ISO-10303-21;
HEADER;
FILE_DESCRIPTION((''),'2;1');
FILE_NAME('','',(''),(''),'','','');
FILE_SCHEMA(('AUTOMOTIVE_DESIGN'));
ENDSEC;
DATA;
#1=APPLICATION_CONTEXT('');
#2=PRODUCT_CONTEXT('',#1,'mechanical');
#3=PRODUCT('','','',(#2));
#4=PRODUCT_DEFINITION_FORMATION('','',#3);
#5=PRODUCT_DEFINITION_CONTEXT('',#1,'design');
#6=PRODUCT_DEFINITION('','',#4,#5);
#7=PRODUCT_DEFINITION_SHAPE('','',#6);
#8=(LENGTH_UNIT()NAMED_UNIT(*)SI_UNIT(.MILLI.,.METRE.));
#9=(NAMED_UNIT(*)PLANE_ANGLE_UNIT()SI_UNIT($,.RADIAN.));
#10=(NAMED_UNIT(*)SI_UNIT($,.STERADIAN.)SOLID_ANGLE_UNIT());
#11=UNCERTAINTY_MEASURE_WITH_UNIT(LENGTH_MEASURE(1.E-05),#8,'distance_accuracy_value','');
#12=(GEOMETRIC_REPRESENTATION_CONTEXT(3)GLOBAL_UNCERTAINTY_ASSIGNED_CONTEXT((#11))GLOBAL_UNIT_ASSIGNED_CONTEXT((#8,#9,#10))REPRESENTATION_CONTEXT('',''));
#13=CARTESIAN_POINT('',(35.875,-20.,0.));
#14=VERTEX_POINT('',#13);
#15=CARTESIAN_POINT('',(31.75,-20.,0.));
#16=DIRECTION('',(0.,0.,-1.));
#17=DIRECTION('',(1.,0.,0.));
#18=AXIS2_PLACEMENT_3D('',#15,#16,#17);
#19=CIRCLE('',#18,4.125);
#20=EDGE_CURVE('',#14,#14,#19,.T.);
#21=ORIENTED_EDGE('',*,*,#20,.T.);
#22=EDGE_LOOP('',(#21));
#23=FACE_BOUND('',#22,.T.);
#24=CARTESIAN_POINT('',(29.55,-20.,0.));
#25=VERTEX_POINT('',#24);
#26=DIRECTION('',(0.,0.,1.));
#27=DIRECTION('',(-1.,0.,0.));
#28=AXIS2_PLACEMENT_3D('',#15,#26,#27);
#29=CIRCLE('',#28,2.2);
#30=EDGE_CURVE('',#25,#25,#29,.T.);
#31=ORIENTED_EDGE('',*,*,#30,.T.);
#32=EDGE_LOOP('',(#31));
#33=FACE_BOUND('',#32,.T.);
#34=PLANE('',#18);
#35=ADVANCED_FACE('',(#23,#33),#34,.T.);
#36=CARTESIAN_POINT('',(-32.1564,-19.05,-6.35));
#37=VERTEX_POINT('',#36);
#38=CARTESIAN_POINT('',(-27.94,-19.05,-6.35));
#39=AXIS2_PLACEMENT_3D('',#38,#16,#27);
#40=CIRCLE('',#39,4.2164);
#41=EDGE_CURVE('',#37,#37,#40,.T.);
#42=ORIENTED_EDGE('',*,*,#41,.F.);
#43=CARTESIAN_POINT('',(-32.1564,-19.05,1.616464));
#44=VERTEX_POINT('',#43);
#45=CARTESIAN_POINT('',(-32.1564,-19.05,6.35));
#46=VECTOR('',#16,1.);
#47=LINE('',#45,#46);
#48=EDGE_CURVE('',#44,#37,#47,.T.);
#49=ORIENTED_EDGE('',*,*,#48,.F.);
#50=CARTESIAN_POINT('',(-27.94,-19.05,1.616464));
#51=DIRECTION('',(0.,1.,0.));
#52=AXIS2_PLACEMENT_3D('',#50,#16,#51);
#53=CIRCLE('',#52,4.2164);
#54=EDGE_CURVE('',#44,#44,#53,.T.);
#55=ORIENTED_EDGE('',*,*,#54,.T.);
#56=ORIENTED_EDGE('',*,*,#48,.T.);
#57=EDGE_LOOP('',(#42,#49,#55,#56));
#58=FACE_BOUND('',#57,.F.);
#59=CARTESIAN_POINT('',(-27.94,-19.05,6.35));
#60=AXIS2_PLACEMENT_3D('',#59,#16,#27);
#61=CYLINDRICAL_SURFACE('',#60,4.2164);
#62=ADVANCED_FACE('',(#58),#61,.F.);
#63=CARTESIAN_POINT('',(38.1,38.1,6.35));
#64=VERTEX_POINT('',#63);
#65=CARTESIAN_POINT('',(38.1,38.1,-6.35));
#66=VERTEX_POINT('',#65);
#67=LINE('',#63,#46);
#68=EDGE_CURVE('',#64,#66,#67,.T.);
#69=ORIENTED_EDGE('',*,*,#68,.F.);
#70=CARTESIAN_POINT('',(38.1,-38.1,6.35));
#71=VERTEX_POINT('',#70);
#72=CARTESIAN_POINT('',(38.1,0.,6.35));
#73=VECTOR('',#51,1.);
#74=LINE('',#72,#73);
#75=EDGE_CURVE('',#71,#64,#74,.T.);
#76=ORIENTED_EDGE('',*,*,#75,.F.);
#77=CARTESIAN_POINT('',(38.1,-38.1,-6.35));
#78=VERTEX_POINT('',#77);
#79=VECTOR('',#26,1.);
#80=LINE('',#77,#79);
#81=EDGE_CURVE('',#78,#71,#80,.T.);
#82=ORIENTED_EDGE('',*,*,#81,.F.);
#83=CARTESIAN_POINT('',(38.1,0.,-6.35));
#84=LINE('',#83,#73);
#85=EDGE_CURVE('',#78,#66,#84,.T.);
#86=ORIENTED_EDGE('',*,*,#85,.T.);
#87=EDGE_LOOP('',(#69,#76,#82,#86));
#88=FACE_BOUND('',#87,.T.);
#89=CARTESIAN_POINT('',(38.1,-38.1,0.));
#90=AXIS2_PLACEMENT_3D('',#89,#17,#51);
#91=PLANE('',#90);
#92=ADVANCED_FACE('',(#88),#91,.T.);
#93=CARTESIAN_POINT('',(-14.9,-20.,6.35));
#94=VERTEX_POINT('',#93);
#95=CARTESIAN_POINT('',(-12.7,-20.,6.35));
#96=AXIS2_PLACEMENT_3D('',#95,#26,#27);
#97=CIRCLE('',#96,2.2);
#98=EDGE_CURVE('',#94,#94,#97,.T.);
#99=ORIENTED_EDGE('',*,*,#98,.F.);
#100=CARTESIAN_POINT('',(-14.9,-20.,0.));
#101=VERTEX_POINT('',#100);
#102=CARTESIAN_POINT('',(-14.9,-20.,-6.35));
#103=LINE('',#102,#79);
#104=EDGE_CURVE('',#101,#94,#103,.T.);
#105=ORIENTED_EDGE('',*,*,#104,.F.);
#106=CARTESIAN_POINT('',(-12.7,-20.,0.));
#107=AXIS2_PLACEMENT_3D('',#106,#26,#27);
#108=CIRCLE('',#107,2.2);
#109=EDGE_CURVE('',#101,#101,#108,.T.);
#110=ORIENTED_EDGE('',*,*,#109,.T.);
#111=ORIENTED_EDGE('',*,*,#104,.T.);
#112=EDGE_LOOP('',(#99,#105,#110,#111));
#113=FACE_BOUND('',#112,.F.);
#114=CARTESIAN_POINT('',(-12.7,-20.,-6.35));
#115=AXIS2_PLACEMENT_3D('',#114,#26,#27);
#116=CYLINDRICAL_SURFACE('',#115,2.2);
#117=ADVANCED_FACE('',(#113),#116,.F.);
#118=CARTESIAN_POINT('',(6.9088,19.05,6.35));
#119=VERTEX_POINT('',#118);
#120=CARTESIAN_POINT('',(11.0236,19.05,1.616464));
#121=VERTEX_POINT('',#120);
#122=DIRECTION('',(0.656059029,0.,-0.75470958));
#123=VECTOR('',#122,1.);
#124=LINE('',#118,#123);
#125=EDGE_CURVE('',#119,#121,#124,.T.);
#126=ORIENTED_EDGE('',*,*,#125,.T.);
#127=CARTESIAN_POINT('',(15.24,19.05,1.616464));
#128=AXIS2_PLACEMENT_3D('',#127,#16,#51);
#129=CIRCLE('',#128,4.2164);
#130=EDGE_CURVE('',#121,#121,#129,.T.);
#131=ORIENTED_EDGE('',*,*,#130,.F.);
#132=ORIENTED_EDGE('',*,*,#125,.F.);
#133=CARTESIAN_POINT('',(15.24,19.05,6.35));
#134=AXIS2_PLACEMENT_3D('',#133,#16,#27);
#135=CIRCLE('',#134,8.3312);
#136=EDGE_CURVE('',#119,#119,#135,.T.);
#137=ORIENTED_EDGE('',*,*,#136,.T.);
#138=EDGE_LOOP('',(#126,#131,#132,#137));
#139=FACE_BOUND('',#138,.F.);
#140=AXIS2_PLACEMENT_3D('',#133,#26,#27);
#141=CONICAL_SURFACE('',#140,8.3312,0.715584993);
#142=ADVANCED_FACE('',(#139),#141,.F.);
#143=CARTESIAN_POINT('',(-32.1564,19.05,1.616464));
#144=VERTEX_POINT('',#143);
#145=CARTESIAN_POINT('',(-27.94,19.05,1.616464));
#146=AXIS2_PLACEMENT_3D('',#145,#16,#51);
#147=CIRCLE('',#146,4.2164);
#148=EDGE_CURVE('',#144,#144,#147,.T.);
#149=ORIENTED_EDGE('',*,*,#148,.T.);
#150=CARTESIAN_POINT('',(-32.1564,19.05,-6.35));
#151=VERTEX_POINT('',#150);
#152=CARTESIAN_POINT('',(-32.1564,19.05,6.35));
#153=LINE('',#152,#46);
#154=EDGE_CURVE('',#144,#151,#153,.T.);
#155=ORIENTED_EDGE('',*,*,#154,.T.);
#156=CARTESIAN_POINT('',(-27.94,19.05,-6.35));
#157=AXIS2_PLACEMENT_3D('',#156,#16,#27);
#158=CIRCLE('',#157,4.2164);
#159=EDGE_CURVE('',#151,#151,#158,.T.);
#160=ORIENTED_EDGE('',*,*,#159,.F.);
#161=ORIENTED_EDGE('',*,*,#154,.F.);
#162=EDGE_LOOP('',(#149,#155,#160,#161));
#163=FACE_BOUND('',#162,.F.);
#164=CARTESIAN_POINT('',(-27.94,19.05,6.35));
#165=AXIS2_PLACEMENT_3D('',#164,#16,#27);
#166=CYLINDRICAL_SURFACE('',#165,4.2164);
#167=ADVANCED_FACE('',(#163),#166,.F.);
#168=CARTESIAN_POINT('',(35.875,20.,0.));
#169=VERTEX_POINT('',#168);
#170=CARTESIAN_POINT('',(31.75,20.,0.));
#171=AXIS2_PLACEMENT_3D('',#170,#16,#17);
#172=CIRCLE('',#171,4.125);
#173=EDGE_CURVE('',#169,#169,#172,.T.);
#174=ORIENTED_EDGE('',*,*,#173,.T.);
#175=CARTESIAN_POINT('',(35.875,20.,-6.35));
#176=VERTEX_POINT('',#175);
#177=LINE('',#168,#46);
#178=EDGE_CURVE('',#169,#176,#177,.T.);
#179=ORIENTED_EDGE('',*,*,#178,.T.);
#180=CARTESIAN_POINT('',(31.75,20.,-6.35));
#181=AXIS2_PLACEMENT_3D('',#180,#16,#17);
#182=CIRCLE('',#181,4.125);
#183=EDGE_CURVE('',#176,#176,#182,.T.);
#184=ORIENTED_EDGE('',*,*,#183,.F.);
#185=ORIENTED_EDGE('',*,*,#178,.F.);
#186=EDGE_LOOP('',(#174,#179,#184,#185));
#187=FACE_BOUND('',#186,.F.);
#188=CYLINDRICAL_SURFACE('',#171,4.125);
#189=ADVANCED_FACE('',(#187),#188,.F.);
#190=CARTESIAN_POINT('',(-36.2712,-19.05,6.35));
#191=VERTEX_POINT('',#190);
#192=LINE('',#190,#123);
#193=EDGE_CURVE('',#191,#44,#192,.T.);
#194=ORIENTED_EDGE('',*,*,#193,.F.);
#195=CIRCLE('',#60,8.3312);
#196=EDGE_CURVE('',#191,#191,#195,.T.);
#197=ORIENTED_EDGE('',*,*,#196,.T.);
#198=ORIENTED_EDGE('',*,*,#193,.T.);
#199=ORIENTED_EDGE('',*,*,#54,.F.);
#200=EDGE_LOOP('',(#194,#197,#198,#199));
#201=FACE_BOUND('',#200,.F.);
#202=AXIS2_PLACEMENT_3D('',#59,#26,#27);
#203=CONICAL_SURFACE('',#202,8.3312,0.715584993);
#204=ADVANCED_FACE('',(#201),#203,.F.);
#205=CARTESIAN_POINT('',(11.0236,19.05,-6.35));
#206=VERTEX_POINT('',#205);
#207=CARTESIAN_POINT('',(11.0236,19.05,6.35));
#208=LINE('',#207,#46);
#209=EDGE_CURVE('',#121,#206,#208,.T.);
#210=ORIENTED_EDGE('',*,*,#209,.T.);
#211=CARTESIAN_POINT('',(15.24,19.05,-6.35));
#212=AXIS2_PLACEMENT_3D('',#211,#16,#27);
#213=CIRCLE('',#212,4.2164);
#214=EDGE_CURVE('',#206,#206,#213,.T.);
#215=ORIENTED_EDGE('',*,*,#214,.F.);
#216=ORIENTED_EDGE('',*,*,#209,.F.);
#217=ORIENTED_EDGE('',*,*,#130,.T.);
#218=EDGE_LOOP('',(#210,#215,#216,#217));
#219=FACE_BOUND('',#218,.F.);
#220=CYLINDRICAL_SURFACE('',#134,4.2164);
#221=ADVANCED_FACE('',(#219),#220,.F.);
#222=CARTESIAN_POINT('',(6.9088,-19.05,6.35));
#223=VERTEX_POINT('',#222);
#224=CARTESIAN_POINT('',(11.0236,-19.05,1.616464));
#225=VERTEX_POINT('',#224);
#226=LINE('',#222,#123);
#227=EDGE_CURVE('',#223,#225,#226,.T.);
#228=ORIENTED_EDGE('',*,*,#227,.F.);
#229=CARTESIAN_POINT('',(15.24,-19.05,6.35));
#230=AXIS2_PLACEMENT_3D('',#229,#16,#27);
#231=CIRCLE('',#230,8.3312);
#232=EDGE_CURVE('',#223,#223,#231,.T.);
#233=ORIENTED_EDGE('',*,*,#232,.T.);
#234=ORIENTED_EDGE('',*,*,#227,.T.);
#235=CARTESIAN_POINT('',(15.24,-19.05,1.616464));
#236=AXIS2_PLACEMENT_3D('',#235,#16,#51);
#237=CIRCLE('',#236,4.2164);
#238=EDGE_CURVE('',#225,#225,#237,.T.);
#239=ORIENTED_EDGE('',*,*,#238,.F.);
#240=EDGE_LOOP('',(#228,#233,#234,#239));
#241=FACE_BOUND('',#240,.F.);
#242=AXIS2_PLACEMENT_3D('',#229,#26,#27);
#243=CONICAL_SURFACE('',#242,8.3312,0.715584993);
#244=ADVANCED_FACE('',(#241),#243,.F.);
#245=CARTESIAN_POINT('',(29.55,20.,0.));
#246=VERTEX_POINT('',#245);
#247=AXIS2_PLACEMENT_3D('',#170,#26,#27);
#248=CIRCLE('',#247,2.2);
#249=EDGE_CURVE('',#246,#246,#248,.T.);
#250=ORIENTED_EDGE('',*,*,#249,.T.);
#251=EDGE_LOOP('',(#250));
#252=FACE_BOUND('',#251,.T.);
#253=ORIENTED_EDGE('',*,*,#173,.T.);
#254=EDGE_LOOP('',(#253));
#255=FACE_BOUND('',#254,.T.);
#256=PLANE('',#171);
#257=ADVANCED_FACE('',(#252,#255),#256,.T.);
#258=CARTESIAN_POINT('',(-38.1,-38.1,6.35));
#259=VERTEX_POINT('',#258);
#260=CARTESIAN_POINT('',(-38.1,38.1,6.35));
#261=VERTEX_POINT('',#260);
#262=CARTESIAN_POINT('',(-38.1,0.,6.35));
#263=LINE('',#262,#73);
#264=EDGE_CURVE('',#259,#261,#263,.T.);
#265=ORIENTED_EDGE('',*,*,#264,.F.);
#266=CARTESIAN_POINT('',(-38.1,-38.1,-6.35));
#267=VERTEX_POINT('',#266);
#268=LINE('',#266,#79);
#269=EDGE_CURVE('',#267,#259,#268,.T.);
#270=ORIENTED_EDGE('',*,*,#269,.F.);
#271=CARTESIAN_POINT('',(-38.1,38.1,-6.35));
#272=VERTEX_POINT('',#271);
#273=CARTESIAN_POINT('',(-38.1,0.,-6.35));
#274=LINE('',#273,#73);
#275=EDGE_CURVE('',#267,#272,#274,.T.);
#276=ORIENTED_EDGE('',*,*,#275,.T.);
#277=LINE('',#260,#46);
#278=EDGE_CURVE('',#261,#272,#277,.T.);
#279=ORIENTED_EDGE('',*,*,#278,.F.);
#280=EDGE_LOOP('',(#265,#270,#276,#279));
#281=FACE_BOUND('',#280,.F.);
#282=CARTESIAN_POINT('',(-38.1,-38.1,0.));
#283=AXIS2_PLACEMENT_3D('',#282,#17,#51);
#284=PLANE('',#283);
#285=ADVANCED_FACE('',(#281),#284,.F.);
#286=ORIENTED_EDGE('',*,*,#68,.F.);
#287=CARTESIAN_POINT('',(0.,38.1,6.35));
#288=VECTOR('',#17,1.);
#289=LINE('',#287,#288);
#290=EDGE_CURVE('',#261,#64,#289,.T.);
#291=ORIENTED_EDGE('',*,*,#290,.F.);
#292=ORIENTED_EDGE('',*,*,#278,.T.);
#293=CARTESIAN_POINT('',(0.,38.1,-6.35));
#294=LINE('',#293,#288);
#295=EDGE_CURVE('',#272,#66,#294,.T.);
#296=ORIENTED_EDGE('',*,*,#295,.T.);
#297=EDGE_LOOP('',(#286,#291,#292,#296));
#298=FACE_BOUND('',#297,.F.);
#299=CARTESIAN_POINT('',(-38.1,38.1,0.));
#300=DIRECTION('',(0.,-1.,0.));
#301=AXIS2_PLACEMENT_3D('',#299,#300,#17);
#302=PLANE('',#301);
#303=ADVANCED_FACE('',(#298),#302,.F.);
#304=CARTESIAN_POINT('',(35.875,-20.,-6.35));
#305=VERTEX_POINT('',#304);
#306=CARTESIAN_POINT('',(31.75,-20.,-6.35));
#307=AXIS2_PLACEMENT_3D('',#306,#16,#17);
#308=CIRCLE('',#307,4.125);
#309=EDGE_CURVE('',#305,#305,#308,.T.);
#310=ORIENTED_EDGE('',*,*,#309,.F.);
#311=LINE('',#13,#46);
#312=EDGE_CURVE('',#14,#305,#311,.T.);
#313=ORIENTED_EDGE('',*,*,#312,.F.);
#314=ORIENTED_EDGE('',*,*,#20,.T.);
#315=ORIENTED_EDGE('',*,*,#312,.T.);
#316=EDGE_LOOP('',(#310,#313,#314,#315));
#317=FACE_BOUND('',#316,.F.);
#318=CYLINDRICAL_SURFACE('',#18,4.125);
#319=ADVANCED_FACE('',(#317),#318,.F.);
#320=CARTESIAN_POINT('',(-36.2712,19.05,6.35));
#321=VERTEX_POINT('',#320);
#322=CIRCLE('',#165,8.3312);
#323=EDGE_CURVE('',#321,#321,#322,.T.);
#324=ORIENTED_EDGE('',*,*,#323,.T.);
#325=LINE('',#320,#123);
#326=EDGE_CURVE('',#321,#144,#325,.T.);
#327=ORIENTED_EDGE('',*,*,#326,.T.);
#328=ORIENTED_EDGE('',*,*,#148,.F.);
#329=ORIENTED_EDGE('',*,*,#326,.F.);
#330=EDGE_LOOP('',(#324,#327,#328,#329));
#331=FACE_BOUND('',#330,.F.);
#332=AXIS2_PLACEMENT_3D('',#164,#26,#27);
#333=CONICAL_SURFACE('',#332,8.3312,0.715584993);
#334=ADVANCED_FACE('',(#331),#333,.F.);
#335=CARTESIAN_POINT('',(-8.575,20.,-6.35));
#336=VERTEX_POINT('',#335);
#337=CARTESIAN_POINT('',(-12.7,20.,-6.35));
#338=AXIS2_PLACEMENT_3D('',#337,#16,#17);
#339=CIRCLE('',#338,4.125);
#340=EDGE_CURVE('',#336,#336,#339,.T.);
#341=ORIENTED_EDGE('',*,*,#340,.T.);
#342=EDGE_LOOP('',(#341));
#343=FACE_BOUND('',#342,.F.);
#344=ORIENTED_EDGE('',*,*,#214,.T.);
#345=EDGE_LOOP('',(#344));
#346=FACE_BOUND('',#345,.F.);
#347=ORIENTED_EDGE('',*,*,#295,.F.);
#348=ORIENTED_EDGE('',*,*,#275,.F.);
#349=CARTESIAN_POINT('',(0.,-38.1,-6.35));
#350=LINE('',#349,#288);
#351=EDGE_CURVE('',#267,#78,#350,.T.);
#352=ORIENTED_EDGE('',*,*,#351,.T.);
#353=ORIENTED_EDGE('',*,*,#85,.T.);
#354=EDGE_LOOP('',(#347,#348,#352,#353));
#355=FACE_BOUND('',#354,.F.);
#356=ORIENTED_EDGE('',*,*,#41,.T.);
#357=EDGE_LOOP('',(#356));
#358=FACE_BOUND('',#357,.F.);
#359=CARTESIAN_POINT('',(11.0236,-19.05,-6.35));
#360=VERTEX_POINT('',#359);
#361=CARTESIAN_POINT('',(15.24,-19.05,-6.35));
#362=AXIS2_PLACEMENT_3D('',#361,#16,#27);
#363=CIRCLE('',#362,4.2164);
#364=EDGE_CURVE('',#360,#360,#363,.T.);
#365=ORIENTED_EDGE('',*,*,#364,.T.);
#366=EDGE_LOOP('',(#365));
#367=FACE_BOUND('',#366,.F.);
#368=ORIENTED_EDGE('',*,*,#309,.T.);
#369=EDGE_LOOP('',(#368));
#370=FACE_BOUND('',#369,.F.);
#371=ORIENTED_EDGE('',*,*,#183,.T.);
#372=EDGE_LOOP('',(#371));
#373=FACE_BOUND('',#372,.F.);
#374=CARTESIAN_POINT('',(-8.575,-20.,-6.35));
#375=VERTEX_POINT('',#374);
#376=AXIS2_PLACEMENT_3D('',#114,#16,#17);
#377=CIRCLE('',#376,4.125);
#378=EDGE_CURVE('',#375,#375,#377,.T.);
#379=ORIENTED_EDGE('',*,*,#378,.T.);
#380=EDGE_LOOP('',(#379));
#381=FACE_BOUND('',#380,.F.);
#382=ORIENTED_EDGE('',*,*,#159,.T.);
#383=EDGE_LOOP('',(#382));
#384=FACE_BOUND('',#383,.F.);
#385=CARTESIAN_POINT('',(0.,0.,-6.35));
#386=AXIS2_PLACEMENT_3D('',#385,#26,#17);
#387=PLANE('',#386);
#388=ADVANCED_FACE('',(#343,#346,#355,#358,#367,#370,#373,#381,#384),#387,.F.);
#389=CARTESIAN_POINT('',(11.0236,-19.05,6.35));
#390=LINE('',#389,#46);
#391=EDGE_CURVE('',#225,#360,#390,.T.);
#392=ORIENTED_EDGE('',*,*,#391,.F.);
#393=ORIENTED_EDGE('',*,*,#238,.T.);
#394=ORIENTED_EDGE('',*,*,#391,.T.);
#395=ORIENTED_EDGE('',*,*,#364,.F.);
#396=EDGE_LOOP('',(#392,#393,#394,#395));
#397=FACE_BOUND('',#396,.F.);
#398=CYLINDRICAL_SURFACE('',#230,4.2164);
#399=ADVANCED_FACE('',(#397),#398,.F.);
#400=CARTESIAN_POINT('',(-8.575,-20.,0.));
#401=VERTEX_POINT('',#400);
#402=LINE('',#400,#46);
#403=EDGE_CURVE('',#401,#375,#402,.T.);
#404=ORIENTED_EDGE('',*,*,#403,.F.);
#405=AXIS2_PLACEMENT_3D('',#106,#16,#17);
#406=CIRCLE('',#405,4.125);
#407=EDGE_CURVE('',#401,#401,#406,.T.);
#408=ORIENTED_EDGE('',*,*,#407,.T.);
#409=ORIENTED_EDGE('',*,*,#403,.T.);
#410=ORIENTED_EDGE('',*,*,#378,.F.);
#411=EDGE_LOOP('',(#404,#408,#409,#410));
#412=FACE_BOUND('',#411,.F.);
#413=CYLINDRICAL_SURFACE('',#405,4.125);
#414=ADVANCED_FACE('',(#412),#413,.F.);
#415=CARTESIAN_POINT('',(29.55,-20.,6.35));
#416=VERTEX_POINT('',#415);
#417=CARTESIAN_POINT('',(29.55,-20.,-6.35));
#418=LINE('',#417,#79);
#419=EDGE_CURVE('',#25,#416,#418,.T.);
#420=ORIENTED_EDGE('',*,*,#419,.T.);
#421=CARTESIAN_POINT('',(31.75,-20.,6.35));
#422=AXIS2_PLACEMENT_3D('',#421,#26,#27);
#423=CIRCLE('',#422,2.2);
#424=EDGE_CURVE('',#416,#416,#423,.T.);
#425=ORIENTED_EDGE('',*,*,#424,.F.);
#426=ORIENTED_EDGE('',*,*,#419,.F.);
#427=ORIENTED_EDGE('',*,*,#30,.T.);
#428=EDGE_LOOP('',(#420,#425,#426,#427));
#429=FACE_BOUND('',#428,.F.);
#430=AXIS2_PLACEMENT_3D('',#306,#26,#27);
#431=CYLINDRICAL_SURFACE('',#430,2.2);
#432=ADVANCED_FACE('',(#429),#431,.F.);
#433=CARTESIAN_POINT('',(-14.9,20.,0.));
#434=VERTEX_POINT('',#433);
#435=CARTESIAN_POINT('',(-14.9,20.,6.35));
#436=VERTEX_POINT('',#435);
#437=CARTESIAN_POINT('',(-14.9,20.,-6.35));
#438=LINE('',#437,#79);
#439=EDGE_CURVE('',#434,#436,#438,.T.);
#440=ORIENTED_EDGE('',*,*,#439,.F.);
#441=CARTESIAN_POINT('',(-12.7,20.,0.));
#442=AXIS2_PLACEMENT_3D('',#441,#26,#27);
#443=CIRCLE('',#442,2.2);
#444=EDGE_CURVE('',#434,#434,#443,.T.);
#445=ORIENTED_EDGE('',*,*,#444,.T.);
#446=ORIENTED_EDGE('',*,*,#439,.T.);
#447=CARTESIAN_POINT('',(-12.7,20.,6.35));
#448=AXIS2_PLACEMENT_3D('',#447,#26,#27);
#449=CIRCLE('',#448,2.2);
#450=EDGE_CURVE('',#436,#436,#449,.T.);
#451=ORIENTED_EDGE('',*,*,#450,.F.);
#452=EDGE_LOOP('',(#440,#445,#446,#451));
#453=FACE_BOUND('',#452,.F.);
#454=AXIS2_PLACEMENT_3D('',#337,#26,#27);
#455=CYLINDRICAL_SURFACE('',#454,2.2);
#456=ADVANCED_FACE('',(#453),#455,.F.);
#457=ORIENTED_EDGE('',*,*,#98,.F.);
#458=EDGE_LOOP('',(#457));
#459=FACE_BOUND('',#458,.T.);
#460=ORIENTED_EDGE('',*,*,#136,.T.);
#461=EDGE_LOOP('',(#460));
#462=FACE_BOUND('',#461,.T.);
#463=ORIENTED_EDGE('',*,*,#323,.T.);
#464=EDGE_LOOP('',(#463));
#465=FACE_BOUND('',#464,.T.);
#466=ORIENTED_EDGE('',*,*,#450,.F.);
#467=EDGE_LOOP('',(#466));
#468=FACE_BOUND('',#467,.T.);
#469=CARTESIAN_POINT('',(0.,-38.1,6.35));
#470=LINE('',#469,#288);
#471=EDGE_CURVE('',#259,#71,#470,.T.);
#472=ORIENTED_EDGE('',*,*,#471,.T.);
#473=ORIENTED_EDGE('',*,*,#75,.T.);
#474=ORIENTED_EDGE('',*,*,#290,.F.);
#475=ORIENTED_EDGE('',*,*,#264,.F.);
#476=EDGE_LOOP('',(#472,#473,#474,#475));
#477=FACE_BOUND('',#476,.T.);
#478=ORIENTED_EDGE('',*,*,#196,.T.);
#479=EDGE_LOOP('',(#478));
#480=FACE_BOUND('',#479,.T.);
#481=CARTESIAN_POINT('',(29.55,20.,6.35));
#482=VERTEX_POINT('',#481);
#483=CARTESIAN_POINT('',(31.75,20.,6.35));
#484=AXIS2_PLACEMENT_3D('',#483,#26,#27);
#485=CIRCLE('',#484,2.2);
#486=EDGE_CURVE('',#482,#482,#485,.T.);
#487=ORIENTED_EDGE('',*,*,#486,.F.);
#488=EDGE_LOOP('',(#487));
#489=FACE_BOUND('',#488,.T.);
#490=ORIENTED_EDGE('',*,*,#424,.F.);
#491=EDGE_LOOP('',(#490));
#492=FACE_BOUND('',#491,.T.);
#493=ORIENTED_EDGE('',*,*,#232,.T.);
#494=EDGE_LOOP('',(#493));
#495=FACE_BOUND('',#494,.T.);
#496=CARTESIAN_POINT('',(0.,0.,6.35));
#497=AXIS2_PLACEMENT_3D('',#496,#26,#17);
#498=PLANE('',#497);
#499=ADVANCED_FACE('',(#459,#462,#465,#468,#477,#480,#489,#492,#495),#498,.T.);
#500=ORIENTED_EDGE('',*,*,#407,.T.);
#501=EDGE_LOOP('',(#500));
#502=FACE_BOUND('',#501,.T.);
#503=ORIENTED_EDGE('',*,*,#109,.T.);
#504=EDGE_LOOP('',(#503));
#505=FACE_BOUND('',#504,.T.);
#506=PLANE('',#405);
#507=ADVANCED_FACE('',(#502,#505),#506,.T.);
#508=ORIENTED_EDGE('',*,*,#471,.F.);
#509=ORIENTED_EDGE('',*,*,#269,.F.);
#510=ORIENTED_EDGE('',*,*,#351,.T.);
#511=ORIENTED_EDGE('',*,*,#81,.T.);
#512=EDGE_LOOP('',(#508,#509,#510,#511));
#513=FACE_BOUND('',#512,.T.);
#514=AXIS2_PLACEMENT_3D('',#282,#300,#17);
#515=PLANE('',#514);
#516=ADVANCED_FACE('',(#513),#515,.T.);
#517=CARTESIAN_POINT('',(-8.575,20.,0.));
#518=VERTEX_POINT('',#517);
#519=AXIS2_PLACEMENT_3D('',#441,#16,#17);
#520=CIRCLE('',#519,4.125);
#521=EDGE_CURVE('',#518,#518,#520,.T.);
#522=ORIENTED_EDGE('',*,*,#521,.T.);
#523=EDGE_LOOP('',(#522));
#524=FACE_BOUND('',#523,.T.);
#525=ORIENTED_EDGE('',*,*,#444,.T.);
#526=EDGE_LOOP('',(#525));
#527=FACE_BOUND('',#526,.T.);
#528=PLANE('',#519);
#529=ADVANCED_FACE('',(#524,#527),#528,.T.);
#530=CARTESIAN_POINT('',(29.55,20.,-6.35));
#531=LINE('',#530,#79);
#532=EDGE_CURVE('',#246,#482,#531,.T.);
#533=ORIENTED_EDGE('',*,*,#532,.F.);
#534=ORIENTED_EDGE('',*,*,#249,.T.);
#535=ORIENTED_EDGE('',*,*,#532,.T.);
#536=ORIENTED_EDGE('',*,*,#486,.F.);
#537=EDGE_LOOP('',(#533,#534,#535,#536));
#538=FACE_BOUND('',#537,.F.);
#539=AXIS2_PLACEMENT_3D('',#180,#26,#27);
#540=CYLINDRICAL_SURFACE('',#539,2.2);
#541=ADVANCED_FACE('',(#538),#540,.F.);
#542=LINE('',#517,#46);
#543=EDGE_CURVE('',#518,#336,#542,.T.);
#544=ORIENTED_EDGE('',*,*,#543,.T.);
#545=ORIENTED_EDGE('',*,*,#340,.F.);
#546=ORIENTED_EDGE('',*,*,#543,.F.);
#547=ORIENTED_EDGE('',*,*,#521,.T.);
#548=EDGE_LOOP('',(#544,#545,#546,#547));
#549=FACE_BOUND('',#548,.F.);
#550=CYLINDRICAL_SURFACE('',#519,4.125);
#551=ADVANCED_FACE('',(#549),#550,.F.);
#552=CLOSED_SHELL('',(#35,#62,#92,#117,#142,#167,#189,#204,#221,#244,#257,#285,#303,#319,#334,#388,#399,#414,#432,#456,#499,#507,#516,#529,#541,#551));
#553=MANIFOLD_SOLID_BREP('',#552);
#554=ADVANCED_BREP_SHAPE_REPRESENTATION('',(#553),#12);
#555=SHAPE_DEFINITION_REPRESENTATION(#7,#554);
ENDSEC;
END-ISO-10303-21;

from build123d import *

# Parameters (mm, degrees)
F0_W           = 76.2
F0_H           = 76.2
F1_DEPTH       = 6.35
F3_D           = 8.4328
F3_CSINK_D     = 16.6624
F3_CSINK_ANGLE = 82
F5_D           = 4.4
F5_CBORE_D     = 8.25
F5_CBORE_DEPTH = 6.35


with BuildPart() as f1:
    # F0 (on Top) → F1 (new body, symmetric)
    with BuildSketch(Plane.XY):
        Rectangle(F0_W, F0_H)
    extrude(amount=F1_DEPTH, both=True)

    # F3 (through all)
    with Locations(Plane.XY.offset(6.35)):
        with Locations((-27.94, 19.05), (15.24, 19.05), (15.24, -19.05), (-27.94, -19.05)):
            CounterSinkHole(F3_D / 2, F3_CSINK_D / 2, counter_sink_angle=F3_CSINK_ANGLE)

    # F5 (through all)
    with Locations(Plane(origin=(0, 0, -6.35), x_dir=(1, 0, 0), z_dir=(0, 0, -1))):
        with Locations((-12.7, 20), (31.75, 20), (31.75, -20), (-12.7, -20)):
            CounterBoreHole(F5_D / 2, F5_CBORE_D / 2, F5_CBORE_DEPTH)


solid = f1.part
